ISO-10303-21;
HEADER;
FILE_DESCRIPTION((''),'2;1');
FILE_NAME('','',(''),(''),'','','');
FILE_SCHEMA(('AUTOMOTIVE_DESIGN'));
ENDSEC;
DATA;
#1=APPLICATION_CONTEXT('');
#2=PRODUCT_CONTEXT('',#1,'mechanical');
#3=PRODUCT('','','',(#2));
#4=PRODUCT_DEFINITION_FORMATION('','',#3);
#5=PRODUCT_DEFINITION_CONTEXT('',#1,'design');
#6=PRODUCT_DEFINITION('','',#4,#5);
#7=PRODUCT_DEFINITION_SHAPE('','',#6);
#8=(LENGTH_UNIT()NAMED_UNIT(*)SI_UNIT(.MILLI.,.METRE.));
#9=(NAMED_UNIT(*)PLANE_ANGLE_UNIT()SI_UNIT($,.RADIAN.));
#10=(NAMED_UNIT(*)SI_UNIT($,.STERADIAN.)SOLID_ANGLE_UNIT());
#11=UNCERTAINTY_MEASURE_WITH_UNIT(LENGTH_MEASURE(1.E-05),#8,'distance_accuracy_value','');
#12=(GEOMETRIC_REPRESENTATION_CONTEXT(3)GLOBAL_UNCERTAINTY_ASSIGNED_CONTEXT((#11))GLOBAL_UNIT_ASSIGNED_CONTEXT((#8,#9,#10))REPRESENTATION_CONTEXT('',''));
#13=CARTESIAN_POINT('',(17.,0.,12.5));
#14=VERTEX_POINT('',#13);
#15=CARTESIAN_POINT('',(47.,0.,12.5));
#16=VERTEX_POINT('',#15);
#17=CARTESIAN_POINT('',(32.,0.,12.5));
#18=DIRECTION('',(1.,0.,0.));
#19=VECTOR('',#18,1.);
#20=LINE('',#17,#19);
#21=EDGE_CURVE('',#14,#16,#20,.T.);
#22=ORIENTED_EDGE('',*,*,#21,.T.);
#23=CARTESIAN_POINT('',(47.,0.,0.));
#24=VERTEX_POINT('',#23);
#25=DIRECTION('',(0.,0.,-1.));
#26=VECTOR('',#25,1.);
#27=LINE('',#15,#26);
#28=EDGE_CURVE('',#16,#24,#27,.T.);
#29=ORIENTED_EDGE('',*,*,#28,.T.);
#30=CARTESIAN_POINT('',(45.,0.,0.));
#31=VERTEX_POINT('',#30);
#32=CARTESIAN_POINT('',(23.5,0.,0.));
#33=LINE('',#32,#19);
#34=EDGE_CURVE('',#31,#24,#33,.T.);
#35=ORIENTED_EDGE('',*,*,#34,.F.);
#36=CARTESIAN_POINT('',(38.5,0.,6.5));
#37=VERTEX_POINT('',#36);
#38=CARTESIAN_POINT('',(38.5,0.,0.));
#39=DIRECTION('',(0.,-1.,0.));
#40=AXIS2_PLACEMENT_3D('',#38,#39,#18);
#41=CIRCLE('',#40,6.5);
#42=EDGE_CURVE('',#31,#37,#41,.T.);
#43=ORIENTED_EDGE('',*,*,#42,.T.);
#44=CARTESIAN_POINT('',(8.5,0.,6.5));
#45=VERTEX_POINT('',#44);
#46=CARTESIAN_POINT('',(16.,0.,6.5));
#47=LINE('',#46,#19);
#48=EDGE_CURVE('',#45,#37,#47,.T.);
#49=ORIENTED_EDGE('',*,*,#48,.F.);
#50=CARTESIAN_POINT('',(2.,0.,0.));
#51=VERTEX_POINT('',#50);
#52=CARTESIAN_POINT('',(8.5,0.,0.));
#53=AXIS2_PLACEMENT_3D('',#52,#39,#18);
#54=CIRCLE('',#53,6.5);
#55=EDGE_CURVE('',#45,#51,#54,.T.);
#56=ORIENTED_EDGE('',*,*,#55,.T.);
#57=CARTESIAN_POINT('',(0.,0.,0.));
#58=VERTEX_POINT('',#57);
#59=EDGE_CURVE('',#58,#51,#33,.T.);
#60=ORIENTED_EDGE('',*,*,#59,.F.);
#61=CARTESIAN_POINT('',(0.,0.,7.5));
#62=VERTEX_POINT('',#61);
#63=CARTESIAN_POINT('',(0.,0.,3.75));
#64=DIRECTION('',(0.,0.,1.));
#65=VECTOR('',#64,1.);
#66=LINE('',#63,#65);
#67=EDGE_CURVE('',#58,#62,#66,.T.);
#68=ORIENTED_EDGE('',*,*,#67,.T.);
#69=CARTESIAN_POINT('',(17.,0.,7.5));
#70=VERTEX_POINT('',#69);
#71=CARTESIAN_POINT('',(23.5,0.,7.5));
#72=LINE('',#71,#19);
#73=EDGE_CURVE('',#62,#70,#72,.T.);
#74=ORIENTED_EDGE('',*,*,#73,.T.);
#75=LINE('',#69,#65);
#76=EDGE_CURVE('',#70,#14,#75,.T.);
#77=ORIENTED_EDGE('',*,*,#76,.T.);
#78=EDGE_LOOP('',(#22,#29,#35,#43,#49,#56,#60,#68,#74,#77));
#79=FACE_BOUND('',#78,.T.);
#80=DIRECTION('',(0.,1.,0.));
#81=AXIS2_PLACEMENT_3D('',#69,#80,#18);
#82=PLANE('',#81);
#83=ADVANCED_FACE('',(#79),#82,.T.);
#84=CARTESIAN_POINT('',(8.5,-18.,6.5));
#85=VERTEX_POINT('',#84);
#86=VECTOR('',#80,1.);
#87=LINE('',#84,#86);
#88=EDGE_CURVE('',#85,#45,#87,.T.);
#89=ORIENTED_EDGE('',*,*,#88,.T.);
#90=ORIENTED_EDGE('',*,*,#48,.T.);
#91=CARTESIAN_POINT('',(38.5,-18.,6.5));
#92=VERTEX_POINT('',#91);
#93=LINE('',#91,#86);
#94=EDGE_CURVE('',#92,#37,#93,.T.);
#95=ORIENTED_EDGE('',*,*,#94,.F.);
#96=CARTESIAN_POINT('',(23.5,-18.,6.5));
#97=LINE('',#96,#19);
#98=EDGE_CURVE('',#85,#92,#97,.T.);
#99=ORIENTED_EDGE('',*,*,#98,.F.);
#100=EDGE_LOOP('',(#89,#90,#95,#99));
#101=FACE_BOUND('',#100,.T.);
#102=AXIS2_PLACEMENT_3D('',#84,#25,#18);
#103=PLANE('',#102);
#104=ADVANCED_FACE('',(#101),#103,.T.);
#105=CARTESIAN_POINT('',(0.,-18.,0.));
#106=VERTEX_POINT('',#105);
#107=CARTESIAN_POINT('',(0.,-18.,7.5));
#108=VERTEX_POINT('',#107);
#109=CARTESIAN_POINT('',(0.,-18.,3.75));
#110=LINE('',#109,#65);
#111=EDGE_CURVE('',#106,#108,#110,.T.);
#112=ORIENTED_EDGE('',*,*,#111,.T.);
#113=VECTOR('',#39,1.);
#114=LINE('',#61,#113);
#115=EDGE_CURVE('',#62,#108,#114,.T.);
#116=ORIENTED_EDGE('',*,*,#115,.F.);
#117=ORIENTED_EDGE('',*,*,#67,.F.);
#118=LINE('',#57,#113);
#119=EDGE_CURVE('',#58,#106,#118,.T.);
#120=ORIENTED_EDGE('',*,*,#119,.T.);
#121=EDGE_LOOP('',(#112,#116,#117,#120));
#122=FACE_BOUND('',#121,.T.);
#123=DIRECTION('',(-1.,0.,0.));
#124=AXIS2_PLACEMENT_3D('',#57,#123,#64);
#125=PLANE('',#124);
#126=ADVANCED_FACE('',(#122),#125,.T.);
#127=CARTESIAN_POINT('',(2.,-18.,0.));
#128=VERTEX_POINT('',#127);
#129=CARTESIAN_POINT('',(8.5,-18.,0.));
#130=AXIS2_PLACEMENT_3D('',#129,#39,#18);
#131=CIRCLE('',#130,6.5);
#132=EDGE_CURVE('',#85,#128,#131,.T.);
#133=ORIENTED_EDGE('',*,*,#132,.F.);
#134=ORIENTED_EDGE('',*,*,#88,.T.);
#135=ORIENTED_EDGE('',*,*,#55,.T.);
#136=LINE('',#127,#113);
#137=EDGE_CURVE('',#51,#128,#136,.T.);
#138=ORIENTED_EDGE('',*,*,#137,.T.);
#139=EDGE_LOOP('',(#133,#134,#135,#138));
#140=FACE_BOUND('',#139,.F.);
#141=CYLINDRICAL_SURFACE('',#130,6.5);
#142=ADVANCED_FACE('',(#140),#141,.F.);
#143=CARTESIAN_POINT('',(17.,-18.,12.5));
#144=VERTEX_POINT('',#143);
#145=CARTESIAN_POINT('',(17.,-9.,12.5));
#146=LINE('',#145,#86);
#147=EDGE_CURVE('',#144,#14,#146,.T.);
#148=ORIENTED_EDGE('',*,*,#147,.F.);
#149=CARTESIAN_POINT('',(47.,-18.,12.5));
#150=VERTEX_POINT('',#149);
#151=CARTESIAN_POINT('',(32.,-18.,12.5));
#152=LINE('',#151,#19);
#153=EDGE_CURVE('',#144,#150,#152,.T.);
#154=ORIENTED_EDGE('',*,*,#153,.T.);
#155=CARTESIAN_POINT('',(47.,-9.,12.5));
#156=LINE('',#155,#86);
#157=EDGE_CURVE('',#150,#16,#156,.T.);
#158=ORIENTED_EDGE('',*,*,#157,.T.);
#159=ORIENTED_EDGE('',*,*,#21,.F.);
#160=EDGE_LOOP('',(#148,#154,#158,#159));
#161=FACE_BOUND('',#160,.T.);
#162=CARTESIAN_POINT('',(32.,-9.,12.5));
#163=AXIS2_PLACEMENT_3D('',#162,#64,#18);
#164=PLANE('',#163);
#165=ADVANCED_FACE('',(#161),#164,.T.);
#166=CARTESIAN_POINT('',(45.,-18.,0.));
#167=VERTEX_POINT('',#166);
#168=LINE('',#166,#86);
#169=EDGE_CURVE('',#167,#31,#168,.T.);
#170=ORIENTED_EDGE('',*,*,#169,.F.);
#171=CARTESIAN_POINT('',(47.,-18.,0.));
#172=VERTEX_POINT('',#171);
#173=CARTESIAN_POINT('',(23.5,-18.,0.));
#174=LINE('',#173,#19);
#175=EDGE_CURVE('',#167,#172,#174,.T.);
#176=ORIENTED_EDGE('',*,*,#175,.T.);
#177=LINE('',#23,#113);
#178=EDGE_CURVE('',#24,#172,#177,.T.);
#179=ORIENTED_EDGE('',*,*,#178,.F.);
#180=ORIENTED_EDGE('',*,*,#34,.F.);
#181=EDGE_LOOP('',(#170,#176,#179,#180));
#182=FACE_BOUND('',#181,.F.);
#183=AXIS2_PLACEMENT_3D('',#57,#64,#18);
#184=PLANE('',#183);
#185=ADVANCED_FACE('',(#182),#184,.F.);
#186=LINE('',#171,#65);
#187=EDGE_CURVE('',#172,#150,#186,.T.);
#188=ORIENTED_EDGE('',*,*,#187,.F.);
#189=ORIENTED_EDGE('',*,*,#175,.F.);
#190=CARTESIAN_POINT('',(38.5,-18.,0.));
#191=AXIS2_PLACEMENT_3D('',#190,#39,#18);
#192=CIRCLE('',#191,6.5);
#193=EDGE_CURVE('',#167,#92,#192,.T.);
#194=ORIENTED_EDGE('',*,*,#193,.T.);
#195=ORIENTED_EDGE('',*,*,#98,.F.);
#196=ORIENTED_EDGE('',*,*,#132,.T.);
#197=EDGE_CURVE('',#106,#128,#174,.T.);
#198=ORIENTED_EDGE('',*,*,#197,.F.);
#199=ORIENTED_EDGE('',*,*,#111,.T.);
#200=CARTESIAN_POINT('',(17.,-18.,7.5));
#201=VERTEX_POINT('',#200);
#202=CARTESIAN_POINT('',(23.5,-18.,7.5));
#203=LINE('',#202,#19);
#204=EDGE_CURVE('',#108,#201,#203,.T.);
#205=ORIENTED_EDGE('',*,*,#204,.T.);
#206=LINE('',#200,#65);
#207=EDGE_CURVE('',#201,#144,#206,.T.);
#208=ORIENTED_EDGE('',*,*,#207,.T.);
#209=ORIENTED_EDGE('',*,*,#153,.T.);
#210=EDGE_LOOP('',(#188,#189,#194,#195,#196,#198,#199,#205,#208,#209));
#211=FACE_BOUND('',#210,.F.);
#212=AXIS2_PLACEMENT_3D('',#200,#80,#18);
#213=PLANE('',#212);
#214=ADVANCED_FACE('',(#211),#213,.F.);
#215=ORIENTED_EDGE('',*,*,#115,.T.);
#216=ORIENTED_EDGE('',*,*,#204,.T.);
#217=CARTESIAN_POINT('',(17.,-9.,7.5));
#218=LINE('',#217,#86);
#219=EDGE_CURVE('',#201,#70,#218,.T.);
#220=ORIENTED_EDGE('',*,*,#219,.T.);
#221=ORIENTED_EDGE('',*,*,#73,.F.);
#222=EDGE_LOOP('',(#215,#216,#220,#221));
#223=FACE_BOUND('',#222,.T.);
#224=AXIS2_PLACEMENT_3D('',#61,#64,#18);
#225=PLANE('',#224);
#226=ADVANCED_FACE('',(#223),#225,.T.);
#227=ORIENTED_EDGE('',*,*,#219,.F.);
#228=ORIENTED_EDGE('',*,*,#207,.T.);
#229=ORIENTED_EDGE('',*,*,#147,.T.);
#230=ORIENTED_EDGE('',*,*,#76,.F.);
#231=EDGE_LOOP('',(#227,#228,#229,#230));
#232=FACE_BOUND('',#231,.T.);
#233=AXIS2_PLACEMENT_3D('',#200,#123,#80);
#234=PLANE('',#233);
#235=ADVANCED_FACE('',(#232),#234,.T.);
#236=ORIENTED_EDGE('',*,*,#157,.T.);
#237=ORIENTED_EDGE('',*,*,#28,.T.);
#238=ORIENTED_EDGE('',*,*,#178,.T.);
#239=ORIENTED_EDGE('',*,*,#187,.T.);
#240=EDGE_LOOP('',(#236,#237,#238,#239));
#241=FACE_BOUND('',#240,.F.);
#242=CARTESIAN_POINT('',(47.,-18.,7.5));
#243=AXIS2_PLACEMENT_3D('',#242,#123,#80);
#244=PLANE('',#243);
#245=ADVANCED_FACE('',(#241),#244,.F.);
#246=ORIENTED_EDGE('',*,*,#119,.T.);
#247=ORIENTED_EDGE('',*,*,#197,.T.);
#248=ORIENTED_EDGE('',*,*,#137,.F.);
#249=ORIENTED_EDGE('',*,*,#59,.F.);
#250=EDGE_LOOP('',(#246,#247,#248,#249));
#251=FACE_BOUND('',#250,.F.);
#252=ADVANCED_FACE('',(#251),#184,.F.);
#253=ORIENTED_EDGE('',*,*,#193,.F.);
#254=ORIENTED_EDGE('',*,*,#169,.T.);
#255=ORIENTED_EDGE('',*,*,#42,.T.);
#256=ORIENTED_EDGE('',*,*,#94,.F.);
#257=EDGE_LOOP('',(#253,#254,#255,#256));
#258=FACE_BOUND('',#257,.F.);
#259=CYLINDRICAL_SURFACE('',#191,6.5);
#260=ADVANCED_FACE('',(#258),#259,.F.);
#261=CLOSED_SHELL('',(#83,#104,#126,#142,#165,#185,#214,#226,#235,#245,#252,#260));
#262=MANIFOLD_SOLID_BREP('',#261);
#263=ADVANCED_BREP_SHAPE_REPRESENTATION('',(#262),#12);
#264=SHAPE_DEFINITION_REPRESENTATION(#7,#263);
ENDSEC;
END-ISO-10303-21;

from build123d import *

# Parameters (mm, degrees)
F0_W     = 47
F0_H     = 7.5
F1_DEPTH = 18
F2_W     = 30
F2_H     = 6.5
F3_DEPTH = 25
F4_R     = 6.5
F5_DEPTH = 25
F6_R     = 6.5
F7_DEPTH = 25
F8_W     = 30
F8_H     = 18
F9_DEPTH = 5


with BuildPart() as f1:
    # F0 (on Front) → F1 (new body)
    with BuildSketch(Plane.XZ):
        with Locations((23.5, 3.75)):
            Rectangle(F0_W, F0_H)
    extrude(amount=F1_DEPTH)

    # F2 (on face) → F3 (cut)
    with BuildSketch(Plane.XZ.offset(18)):
        with Locations((23.5, 3.25)):
            Rectangle(F2_W, F2_H)
    extrude(amount=-F3_DEPTH, mode=Mode.SUBTRACT)

    # F4 (on face) → F5 (cut)
    with BuildSketch(Plane.XZ.offset(18)):
        with Locations((8.5, 0)):
            Circle(F4_R)
    extrude(amount=-F5_DEPTH, mode=Mode.SUBTRACT)

    # F6 (on face) → F7 (cut)
    with BuildSketch(Plane.XZ.offset(18)):
        with Locations((38.5, 0)):
            Circle(F6_R)
    extrude(amount=-F7_DEPTH, mode=Mode.SUBTRACT)

    # F8 (on face) → F9 (join)
    with BuildSketch(Plane.XY.offset(7.5)):
        with Locations((32, -9)):
            Rectangle(F8_W, F8_H)
    extrude(amount=F9_DEPTH)


solid = f1.part
